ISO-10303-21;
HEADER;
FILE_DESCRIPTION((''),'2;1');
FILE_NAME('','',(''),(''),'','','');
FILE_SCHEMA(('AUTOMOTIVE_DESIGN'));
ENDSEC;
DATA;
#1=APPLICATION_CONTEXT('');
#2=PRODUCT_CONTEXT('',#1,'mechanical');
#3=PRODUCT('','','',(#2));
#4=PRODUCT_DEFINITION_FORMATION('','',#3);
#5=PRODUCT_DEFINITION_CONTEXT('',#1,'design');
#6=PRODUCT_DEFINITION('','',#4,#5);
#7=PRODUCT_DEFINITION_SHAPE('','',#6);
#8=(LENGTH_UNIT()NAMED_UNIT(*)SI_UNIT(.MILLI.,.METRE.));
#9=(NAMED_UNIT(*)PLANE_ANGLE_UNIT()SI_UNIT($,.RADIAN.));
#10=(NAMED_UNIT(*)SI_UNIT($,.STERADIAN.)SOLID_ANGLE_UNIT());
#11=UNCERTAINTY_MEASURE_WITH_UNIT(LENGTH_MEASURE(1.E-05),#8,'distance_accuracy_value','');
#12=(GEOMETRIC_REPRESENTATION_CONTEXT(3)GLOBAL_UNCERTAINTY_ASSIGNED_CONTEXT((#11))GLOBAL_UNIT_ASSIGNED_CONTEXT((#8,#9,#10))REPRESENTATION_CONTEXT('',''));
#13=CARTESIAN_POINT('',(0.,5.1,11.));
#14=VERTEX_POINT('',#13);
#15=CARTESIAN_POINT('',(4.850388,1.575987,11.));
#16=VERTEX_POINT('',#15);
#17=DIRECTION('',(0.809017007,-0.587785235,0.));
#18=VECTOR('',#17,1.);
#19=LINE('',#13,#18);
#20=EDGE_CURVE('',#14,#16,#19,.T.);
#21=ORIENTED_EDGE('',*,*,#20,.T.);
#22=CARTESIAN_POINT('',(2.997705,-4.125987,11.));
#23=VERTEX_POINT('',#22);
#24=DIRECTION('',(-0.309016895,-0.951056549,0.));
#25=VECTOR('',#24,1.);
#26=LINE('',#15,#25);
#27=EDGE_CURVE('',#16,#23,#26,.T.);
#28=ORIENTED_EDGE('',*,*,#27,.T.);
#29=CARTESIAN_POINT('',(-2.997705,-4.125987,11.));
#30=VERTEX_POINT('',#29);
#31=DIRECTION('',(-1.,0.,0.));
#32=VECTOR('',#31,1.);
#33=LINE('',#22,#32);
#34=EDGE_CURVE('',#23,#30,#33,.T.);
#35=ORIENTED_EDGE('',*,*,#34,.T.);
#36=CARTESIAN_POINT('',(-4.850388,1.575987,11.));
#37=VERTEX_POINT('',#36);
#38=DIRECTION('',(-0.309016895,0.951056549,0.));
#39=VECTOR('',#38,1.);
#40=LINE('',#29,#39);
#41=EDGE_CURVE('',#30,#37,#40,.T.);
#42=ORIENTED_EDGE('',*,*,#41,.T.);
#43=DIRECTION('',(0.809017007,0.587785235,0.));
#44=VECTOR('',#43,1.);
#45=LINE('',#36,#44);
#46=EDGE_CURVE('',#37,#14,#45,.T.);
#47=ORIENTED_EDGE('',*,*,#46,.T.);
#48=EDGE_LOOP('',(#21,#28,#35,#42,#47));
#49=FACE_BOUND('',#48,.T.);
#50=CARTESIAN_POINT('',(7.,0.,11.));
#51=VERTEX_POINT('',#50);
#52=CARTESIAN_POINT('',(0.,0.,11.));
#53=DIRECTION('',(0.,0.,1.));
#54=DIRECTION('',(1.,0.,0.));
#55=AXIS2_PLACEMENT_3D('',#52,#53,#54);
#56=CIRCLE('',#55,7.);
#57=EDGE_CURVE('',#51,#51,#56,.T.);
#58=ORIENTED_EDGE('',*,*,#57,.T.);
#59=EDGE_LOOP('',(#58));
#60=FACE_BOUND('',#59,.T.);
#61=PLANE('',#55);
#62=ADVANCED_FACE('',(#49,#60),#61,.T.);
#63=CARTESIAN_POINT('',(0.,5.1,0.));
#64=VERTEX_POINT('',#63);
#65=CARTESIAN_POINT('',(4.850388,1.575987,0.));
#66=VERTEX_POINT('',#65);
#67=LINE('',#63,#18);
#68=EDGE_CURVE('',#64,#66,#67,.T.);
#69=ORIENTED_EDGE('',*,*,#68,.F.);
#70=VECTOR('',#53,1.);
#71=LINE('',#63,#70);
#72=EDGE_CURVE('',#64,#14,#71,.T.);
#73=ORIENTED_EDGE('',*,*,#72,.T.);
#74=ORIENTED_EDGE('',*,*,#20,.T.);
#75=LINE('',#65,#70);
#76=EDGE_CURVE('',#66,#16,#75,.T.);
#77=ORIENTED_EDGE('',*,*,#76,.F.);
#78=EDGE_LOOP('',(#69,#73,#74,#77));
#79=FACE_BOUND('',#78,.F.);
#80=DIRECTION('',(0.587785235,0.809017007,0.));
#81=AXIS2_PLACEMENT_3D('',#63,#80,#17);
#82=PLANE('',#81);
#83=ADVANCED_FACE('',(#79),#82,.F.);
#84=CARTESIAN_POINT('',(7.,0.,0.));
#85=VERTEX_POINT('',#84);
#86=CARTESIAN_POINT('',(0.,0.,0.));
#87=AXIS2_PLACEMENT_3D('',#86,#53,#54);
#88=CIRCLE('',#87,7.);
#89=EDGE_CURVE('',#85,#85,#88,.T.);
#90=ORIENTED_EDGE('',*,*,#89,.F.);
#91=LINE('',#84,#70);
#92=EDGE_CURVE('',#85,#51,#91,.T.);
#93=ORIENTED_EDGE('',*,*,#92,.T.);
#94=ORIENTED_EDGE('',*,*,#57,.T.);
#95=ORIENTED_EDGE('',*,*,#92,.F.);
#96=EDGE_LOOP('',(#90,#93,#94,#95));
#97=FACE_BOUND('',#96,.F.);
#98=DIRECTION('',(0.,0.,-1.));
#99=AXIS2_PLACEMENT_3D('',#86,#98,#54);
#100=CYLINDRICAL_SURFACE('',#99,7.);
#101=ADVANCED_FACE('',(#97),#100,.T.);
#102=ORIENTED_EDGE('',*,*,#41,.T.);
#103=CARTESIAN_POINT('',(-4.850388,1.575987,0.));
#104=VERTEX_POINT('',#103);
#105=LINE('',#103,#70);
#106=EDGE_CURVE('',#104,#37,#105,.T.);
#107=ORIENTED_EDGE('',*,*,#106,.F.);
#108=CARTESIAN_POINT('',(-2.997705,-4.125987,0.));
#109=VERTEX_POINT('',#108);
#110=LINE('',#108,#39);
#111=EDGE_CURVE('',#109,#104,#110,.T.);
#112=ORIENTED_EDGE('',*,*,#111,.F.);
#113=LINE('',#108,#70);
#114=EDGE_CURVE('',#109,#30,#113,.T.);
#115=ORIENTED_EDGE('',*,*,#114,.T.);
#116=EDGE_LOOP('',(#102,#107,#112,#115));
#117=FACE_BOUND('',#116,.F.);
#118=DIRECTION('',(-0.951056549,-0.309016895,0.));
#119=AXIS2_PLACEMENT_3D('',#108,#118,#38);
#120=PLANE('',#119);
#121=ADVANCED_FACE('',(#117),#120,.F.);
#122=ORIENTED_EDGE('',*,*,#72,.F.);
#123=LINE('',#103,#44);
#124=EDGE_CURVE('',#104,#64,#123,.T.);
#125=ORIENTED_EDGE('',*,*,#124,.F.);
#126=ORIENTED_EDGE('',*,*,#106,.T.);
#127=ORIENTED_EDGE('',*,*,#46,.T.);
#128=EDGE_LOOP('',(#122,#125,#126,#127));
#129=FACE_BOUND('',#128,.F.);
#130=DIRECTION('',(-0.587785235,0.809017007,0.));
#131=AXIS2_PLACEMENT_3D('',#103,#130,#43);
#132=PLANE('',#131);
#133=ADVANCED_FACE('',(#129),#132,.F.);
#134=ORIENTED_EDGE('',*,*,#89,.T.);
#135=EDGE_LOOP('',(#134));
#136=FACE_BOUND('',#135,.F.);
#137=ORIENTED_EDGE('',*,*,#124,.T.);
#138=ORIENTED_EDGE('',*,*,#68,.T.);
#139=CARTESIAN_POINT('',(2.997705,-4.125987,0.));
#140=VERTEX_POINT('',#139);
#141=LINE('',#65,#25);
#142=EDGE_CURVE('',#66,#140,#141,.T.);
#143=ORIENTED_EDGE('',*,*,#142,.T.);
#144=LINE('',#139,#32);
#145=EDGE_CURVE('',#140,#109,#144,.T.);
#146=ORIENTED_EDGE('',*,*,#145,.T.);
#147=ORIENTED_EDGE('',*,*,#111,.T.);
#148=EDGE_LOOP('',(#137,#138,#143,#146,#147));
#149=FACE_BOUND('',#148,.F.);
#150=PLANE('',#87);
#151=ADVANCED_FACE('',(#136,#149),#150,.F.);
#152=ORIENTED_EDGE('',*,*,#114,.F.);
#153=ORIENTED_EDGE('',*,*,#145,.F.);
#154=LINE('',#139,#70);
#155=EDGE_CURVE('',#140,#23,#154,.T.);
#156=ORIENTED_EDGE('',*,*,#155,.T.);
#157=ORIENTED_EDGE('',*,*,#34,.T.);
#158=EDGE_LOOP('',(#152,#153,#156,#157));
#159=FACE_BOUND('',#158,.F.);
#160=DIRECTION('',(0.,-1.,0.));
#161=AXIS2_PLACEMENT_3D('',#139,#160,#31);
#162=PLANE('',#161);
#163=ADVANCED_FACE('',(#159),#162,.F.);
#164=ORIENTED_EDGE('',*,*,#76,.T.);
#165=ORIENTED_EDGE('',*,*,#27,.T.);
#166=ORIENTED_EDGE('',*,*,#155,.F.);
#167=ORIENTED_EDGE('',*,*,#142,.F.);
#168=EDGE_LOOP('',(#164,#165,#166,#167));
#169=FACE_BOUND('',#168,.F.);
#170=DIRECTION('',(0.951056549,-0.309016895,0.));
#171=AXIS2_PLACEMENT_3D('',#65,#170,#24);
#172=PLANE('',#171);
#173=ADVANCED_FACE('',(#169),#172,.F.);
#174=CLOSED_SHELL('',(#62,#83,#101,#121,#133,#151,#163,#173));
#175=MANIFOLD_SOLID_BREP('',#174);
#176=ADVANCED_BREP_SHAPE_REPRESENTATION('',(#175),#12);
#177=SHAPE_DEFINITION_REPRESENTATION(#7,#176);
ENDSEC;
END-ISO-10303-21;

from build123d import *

# Parameters (mm, degrees)
F0_R     = 7
F1_DEPTH = 11


with BuildPart() as f1:
    # F0 (on Top) → F1 (new body)
    with BuildSketch(Plane.XY):
        Circle(F0_R)
        Polygon((0, 5.1), (4.850388, 1.575987), (2.997705, -4.125987), (-2.997705, -4.125987), (-4.850388, 1.575987), align=None, mode=Mode.SUBTRACT)
    extrude(amount=F1_DEPTH)


solid = f1.part
